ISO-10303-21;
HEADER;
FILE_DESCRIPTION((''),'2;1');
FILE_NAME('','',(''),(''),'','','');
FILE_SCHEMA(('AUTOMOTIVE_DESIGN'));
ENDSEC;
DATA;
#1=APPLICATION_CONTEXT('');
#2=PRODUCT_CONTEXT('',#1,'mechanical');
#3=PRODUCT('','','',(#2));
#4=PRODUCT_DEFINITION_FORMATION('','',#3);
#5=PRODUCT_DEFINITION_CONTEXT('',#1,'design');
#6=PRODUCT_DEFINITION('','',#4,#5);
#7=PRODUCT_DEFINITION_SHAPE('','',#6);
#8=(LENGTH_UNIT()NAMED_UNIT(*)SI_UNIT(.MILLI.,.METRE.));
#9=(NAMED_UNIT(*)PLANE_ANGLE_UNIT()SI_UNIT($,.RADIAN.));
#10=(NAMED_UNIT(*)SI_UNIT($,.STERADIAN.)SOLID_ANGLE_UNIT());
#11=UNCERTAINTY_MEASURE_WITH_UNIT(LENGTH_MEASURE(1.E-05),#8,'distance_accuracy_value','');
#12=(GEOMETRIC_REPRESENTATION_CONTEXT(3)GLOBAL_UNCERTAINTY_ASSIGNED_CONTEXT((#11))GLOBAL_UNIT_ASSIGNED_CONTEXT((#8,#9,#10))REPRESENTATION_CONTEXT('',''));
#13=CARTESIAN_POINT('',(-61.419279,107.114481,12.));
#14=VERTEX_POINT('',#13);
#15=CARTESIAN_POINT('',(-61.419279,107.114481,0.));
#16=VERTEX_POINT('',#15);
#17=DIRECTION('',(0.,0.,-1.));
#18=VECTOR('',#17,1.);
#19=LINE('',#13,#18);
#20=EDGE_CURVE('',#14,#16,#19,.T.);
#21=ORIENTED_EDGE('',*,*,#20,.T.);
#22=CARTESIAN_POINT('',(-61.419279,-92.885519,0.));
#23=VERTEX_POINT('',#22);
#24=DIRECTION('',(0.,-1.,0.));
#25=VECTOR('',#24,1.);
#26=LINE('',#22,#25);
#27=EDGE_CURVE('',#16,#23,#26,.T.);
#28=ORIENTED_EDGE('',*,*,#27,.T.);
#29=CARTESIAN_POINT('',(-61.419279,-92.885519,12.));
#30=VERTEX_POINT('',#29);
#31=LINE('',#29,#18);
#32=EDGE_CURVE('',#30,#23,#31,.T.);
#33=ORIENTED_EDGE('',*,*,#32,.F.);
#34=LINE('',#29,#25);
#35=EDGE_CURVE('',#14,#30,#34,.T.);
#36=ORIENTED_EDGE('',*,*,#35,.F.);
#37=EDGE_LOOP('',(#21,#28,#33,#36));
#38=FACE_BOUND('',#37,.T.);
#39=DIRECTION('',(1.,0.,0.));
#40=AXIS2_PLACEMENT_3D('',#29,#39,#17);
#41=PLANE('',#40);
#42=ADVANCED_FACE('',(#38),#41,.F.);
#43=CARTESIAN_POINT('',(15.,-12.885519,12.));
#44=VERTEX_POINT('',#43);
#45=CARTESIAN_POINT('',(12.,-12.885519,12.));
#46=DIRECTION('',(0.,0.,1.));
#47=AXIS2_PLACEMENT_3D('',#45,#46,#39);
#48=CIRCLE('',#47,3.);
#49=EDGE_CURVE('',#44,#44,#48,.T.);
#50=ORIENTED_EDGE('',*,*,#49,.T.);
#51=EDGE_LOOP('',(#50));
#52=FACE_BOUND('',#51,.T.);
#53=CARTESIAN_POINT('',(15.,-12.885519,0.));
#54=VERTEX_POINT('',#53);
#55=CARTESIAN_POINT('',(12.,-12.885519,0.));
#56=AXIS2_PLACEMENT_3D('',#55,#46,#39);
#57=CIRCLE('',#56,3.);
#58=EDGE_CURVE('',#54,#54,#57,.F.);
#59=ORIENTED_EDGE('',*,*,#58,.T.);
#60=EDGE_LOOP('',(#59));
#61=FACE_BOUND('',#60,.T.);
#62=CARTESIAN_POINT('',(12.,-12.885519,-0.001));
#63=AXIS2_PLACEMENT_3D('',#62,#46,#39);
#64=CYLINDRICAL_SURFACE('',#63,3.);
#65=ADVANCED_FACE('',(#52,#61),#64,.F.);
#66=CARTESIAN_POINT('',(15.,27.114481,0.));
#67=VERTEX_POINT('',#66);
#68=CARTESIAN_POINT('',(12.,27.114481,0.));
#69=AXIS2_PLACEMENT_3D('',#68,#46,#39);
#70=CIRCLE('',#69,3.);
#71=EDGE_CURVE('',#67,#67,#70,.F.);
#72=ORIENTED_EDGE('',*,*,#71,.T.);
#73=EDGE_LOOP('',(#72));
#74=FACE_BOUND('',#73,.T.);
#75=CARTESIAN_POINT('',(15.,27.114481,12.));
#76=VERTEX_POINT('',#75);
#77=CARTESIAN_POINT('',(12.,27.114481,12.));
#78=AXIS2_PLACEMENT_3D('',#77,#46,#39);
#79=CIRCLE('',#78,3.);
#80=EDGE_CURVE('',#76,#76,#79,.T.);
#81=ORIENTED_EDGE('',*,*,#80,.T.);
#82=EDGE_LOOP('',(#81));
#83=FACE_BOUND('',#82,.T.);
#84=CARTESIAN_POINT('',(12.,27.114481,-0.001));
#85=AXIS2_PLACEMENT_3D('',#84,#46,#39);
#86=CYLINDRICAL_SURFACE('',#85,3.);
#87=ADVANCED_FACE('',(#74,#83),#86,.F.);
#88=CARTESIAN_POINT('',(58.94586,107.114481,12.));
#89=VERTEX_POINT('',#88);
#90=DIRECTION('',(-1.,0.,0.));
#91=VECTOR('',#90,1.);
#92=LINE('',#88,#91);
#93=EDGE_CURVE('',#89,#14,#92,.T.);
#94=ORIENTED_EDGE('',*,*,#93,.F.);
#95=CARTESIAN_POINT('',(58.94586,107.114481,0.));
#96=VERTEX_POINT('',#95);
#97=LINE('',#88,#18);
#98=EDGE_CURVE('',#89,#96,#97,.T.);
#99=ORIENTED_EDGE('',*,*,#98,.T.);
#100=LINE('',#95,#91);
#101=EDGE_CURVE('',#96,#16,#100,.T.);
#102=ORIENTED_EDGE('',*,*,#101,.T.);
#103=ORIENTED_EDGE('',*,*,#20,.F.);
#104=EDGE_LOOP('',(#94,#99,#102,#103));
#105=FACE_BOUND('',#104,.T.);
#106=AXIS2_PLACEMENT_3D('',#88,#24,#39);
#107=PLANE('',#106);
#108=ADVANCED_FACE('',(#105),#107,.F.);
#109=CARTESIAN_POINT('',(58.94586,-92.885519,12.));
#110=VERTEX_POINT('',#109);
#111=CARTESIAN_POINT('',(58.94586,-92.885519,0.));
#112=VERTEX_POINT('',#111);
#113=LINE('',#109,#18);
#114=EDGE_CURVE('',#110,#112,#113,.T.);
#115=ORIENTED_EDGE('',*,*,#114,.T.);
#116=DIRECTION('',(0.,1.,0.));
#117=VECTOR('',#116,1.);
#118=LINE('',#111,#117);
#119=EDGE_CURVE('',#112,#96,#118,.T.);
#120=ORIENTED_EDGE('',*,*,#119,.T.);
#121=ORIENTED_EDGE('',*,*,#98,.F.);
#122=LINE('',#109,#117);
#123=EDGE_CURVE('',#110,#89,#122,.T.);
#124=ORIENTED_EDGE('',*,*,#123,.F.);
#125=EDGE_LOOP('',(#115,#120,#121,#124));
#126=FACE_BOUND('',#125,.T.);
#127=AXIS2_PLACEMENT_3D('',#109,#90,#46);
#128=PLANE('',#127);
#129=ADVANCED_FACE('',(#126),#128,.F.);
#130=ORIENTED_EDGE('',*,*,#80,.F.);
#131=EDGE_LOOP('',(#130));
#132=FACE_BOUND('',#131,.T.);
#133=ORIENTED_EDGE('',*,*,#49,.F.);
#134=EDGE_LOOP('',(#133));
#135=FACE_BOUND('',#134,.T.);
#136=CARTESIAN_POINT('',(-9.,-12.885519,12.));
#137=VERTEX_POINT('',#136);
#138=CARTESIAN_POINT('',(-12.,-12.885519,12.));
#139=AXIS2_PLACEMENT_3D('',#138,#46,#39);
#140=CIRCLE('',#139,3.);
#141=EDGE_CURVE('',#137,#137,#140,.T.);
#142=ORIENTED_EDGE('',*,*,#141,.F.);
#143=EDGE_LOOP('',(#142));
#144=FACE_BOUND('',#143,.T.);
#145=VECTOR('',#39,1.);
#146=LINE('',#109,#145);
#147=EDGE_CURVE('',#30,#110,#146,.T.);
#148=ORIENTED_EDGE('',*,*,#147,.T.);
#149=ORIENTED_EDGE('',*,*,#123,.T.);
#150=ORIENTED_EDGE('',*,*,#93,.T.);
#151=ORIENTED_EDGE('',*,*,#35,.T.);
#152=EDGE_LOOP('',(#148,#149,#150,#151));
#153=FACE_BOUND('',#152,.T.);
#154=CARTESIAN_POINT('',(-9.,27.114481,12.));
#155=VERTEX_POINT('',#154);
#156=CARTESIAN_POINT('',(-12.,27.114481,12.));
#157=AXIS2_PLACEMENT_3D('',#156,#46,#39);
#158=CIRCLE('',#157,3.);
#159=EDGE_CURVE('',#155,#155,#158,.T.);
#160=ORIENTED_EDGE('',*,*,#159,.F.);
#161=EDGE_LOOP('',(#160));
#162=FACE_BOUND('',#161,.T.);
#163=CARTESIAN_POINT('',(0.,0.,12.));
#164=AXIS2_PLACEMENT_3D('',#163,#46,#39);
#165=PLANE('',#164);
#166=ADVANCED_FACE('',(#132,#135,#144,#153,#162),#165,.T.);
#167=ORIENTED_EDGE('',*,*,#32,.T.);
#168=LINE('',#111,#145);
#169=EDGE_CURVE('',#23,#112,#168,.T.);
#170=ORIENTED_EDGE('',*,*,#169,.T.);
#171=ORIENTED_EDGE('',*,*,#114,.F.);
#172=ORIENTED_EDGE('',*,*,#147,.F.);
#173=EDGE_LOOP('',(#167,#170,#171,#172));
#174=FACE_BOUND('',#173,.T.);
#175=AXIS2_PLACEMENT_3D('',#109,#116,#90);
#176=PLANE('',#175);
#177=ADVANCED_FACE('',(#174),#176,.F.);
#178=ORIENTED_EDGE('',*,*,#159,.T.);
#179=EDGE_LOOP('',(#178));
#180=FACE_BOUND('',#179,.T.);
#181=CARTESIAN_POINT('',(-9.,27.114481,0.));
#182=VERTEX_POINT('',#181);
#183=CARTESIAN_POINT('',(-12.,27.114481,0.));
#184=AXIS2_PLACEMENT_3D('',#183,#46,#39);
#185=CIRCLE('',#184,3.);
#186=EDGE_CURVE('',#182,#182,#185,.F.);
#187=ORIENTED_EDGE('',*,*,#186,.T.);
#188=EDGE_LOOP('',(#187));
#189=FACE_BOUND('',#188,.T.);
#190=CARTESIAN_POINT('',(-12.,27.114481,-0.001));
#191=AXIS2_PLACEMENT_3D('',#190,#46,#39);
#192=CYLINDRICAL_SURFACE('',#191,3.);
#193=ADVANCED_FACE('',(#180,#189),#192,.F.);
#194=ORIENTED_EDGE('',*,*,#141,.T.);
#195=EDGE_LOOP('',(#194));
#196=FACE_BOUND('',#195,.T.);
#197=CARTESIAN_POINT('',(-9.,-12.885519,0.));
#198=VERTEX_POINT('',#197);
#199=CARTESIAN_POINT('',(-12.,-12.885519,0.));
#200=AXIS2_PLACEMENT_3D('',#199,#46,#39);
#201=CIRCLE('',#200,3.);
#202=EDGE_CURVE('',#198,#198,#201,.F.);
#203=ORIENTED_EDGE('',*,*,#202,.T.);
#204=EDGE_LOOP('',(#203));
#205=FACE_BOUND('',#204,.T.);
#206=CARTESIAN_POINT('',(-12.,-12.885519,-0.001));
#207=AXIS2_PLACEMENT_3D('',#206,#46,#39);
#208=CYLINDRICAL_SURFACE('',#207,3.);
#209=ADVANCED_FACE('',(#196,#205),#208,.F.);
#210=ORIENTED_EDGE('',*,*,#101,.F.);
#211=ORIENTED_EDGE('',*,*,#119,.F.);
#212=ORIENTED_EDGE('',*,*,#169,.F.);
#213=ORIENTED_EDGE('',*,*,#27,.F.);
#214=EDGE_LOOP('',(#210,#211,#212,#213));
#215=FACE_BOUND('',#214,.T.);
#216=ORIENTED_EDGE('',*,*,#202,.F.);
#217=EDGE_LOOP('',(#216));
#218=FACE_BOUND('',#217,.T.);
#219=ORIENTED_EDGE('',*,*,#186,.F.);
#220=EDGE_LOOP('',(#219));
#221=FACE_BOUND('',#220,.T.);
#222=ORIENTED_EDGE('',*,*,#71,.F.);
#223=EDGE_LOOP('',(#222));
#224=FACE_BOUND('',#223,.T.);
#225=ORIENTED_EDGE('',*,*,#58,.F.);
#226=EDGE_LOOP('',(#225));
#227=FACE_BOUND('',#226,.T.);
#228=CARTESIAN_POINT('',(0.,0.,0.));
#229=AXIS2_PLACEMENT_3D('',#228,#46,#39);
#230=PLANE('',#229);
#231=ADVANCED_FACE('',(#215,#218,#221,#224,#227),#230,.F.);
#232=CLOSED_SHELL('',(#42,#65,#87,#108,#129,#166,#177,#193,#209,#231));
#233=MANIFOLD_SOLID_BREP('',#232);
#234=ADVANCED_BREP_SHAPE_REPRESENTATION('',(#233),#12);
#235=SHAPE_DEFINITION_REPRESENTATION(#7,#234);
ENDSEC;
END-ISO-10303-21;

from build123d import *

# Parameters (mm, degrees)
CROQUIS1_W              = 120.365138791
CROQUIS1_H              = 200
SALIENTE_EXTRUIR1_DEPTH = 12
CORTAR_EXTRUIR1_REACH   = 126.056
CROQUIS2_R              = 3


with BuildPart() as part:
    # Croquis1 → Saliente-Extruir1 (new body)
    with BuildSketch(Plane.XY):
        with Locations((-1.236709328, 7.114481003)):
            Rectangle(CROQUIS1_W, CROQUIS1_H)
    extrude(amount=SALIENTE_EXTRUIR1_DEPTH)

    # Croquis2 → Cortar-Extruir1 (cut, up to next)
    with BuildSketch(Plane.XY.offset(12), mode=Mode.PRIVATE) as cortar_extruir1_sk1:
        with Locations((-12, 27.114481003)):
            Circle(CROQUIS2_R)
    cortar_extruir1_tool1 = extrude(cortar_extruir1_sk1.sketch, amount=-CORTAR_EXTRUIR1_REACH, mode=Mode.PRIVATE) & part.part
    # Croquis2 → Cortar-Extruir1 (cut, up to next)
    with BuildSketch(Plane.XY.offset(12), mode=Mode.PRIVATE) as cortar_extruir1_sk2:
        with Locations((12, 27.114481003)):
            Circle(CROQUIS2_R)
    cortar_extruir1_tool2 = extrude(cortar_extruir1_sk2.sketch, amount=-CORTAR_EXTRUIR1_REACH, mode=Mode.PRIVATE) & part.part
    # Croquis2 → Cortar-Extruir1 (cut, up to next)
    with BuildSketch(Plane.XY.offset(12), mode=Mode.PRIVATE) as cortar_extruir1_sk3:
        with Locations((-12, -12.885518997)):
            Circle(CROQUIS2_R)
    cortar_extruir1_tool3 = extrude(cortar_extruir1_sk3.sketch, amount=-CORTAR_EXTRUIR1_REACH, mode=Mode.PRIVATE) & part.part
    # Croquis2 → Cortar-Extruir1 (cut, up to next)
    with BuildSketch(Plane.XY.offset(12), mode=Mode.PRIVATE) as cortar_extruir1_sk4:
        with Locations((12, -12.885518997)):
            Circle(CROQUIS2_R)
    cortar_extruir1_tool4 = extrude(cortar_extruir1_sk4.sketch, amount=-CORTAR_EXTRUIR1_REACH, mode=Mode.PRIVATE) & part.part
    add(cortar_extruir1_tool1.solids().sort_by_distance((-12, 27.114481, 12))[0], mode=Mode.SUBTRACT)
    add(cortar_extruir1_tool2.solids().sort_by_distance((12, 27.114481, 12))[0], mode=Mode.SUBTRACT)
    add(cortar_extruir1_tool3.solids().sort_by_distance((-12, -12.885519, 12))[0], mode=Mode.SUBTRACT)
    add(cortar_extruir1_tool4.solids().sort_by_distance((12, -12.885519, 12))[0], mode=Mode.SUBTRACT)


solid = part.part
